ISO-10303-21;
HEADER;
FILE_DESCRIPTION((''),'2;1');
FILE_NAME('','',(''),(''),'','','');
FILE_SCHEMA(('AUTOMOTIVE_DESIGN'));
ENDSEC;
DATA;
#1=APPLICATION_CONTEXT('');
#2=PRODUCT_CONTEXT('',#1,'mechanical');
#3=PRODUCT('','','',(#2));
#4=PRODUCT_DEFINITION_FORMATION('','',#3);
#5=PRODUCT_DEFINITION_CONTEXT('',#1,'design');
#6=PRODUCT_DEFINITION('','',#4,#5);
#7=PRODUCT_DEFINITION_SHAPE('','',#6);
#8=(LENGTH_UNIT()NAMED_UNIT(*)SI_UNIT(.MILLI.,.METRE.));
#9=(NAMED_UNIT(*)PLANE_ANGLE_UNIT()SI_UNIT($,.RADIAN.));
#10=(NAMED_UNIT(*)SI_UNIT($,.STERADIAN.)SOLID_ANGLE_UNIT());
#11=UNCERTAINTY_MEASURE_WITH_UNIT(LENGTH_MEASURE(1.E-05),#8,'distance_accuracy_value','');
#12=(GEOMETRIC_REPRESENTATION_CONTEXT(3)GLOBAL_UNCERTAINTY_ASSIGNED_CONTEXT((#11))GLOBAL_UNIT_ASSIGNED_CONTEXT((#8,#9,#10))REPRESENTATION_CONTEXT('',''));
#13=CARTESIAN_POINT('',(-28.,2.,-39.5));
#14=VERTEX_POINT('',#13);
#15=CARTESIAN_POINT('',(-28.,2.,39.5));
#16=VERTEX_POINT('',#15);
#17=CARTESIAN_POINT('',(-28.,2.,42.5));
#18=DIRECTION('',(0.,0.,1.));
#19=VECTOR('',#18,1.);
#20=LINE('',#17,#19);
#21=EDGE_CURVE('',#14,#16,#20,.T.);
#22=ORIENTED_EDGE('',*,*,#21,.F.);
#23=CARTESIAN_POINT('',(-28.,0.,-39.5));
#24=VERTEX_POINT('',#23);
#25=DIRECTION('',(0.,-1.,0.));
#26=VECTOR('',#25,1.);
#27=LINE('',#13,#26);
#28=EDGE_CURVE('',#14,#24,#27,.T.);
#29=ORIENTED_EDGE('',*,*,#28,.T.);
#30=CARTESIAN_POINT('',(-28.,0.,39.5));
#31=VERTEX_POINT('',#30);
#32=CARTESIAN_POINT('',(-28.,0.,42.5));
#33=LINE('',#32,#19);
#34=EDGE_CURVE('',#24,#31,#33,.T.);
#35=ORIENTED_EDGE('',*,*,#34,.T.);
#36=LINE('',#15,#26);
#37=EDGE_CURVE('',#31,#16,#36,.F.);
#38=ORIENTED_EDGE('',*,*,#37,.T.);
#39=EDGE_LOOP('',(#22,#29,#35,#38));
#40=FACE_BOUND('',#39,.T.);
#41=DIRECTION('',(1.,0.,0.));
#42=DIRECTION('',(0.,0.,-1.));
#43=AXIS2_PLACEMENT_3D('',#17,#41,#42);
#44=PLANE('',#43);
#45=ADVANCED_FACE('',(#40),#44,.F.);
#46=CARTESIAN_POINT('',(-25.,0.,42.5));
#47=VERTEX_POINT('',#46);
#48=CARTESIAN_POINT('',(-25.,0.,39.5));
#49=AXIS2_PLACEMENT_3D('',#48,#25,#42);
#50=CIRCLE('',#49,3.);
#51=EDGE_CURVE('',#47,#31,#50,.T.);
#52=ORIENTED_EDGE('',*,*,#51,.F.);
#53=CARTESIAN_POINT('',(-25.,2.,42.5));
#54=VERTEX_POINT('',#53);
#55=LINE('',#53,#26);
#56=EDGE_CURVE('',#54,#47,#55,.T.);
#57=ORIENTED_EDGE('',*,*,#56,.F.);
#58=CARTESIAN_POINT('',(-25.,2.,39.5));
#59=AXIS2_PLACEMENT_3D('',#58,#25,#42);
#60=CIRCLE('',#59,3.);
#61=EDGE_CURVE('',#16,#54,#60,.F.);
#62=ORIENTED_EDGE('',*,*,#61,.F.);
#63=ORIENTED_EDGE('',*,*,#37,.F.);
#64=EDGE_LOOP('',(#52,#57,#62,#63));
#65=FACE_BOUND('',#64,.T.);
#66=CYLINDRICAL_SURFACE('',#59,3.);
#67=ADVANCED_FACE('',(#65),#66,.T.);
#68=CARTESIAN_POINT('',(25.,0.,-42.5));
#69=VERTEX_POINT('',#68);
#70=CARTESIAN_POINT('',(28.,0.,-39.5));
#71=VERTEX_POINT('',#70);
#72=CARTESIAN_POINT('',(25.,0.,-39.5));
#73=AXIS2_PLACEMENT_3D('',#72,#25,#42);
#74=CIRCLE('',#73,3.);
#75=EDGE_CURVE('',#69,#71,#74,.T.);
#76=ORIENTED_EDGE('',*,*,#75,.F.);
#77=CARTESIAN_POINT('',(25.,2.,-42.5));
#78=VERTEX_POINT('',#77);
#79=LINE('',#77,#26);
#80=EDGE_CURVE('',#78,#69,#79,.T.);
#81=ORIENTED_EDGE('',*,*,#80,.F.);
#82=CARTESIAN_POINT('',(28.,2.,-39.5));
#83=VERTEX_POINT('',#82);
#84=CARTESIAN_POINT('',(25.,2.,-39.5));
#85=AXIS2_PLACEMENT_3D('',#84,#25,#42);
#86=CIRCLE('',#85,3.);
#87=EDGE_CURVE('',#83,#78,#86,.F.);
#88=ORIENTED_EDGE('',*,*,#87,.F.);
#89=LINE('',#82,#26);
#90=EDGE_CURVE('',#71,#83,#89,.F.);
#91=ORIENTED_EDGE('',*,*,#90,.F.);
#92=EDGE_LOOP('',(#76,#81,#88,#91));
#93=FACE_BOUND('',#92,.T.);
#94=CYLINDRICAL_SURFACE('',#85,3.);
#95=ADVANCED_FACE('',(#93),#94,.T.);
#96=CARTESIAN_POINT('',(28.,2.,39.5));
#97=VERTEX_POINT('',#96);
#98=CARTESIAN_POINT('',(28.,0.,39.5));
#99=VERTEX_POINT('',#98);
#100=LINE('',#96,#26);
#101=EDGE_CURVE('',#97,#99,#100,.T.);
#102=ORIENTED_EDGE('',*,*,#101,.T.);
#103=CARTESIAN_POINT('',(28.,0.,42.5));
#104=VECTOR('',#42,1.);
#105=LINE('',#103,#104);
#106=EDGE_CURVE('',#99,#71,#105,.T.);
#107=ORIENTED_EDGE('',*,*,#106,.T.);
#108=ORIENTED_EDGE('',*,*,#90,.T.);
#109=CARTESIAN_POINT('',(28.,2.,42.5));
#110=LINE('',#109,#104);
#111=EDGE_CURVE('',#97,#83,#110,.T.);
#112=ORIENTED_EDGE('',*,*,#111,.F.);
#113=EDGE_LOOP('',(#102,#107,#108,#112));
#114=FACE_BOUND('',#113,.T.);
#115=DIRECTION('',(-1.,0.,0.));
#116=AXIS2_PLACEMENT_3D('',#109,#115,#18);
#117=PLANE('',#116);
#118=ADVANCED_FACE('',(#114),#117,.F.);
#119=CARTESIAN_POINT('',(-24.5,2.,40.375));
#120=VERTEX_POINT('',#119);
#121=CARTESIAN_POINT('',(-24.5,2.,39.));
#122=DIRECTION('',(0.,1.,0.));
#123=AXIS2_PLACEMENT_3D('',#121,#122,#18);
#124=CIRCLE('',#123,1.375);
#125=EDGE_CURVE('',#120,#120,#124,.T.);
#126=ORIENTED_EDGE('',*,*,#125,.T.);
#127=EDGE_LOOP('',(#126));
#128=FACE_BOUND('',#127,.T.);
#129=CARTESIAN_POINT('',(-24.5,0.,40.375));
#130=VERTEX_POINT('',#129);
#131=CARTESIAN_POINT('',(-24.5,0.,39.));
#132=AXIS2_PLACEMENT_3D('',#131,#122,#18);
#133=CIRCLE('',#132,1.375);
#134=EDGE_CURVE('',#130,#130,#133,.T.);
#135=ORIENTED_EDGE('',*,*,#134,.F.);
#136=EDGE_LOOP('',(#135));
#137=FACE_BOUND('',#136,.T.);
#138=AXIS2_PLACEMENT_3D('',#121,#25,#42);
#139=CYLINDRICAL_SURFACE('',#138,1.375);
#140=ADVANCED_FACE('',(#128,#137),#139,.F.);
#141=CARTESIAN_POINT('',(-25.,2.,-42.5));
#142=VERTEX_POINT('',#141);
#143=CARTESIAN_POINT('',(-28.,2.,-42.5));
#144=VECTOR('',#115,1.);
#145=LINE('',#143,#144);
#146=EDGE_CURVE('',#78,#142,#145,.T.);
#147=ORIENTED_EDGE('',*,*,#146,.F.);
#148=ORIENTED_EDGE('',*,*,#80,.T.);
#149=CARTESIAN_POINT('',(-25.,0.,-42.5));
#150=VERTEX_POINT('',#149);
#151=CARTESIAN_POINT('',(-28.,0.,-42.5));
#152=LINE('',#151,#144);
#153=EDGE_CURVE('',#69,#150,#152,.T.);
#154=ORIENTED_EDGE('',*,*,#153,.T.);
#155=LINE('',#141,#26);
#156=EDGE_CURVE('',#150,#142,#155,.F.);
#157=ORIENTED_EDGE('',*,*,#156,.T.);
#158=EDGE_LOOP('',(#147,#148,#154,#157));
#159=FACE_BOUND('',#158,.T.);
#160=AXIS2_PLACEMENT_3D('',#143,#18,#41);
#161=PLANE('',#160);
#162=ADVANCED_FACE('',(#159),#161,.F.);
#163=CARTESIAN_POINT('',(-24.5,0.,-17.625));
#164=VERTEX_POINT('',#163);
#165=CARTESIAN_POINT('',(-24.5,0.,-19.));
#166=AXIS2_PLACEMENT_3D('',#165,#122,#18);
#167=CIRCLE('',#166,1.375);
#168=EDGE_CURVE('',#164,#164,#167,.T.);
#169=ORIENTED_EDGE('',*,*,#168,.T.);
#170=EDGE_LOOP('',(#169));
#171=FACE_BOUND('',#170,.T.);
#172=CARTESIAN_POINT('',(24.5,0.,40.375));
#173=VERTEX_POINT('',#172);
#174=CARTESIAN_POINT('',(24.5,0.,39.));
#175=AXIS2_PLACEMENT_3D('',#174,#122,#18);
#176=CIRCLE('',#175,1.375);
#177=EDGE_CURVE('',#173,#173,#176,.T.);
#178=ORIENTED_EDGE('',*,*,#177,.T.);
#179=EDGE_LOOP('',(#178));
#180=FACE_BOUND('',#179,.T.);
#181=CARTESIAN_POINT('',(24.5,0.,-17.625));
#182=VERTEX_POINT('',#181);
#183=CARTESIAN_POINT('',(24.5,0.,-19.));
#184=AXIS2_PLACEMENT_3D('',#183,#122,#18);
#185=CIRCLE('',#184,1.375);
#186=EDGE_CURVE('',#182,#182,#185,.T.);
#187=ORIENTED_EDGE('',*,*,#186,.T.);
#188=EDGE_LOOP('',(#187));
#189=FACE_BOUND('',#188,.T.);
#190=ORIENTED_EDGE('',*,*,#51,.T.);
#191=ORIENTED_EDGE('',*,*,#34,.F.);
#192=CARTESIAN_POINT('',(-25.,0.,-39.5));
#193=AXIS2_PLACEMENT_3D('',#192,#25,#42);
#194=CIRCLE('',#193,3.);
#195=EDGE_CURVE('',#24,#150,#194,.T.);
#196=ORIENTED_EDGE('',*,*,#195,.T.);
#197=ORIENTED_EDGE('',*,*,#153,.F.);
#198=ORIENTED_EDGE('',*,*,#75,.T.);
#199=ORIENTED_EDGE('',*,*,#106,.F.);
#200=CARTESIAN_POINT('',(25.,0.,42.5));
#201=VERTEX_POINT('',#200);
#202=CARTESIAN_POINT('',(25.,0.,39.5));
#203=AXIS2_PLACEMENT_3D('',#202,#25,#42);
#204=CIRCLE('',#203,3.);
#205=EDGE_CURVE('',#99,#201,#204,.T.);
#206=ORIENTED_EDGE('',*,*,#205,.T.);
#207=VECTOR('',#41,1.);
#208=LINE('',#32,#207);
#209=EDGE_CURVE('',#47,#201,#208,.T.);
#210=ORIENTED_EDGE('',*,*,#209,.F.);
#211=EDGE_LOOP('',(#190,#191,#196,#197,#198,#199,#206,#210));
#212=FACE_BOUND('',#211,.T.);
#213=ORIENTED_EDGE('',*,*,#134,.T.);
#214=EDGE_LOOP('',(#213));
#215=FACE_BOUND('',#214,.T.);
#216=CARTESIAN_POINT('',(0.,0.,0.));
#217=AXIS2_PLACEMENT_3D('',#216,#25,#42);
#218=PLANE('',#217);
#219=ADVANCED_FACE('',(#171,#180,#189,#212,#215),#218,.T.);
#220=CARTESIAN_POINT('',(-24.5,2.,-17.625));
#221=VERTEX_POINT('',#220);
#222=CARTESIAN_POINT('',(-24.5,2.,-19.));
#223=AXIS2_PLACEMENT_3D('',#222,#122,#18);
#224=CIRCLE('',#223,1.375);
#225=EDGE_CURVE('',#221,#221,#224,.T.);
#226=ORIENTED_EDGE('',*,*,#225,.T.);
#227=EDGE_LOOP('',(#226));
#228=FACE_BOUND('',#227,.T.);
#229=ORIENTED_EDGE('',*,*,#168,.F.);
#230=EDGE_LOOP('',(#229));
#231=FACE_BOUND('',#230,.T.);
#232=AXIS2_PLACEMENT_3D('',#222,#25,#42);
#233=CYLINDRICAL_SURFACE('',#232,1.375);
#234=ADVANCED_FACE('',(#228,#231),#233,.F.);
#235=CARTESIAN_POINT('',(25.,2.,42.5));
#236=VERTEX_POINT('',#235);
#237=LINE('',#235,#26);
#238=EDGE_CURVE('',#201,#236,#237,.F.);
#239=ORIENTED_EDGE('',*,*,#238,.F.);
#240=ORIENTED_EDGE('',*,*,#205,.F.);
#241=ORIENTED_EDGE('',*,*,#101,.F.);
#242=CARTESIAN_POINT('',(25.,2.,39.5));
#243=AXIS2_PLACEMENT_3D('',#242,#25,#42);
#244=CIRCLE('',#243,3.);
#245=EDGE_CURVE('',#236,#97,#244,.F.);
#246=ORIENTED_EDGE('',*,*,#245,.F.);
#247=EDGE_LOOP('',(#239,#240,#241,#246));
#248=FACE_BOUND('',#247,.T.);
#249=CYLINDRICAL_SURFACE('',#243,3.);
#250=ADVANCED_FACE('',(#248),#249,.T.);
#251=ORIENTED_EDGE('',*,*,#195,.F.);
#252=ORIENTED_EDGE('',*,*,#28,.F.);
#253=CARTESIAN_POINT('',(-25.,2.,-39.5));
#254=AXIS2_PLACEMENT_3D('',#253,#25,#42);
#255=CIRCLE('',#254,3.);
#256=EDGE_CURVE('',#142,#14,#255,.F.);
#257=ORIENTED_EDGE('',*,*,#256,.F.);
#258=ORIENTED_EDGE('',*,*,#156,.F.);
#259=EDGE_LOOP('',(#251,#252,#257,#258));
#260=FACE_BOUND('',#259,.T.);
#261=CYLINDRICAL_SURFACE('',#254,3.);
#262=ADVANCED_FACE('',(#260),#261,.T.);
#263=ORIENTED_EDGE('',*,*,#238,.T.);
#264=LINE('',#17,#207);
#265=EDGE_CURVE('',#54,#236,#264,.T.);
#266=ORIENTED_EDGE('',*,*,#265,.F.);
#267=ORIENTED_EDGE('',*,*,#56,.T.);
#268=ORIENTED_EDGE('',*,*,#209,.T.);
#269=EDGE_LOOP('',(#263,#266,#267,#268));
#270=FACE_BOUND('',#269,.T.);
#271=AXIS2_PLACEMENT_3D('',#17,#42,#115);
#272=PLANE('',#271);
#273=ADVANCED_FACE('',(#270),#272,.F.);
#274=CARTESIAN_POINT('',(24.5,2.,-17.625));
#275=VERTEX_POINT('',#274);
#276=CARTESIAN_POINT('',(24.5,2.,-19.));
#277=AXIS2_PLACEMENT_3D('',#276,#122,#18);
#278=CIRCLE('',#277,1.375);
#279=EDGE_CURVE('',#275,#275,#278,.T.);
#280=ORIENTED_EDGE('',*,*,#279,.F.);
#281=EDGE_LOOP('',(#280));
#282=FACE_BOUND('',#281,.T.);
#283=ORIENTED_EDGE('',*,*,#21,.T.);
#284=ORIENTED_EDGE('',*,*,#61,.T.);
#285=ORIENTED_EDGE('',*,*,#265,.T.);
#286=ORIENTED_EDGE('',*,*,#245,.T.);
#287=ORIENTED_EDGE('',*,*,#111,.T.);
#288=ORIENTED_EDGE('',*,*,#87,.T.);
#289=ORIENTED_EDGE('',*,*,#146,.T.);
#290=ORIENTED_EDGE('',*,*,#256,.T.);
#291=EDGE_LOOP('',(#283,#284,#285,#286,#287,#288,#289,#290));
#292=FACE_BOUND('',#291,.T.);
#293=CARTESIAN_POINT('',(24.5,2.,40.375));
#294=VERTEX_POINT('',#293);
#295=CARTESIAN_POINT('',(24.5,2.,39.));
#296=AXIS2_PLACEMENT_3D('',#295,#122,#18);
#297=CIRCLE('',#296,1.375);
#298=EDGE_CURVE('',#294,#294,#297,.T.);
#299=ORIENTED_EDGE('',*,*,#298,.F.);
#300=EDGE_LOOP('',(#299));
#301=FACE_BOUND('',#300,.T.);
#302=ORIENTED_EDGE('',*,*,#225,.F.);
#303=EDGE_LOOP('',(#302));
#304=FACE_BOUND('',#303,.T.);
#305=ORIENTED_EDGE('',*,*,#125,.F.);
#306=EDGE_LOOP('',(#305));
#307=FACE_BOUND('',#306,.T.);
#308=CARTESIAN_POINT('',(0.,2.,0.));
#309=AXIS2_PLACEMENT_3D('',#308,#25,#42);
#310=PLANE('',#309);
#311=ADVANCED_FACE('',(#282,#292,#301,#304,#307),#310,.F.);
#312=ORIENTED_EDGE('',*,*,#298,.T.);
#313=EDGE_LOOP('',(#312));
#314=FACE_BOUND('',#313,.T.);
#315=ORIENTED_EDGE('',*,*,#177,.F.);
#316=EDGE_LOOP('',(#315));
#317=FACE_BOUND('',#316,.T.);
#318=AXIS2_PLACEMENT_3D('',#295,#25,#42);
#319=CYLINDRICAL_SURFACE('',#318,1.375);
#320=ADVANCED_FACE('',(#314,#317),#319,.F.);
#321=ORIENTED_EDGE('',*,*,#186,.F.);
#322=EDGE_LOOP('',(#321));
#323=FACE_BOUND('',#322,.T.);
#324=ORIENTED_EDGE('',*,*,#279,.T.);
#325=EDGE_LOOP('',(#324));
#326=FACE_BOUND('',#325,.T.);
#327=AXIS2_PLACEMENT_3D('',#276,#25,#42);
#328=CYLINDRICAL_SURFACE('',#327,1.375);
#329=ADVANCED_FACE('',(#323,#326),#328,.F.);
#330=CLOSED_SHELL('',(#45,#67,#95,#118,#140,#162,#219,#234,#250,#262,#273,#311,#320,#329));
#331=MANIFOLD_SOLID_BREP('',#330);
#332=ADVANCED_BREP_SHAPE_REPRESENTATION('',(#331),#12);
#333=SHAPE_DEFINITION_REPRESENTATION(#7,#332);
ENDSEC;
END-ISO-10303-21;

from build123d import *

# Parameters (mm, degrees)
SKETCH1_W           = 56
SKETCH1_H           = 85
SKETCH1_R           = 1.375
BOSS_EXTRUDE1_DEPTH = 2
FILLET1_R           = 3


with BuildPart() as part:
    # Sketch1 → Boss-Extrude1 (new body)
    with BuildSketch(Plane(origin=(0, 0, 0), x_dir=(1, 0, 0), z_dir=(0, 1, 0))):
        Rectangle(SKETCH1_W, SKETCH1_H)
        with Locations(Location((-24.5, -39, 0), (0, 0, 270))):
            Circle(SKETCH1_R, mode=Mode.SUBTRACT)
        with Locations(Location((-24.5, 19, 0), (0, 0, 270))):
            Circle(SKETCH1_R, mode=Mode.SUBTRACT)
        with Locations(Location((24.5, 19, 0), (0, 0, 270))):
            Circle(SKETCH1_R, mode=Mode.SUBTRACT)
        with Locations(Location((24.5, -39, 0), (0, 0, 270))):
            Circle(SKETCH1_R, mode=Mode.SUBTRACT)
    extrude(amount=BOSS_EXTRUDE1_DEPTH)

    # Fillet1
    fillet1_edges = [part.edges().sort_by_distance(p)[0] for p in [
        (28, 1, 42.5),
        (-28, 1, 42.5),
        (-28, 1, -42.5),
        (28, 1, -42.5),
    ]]
    fillet(fillet1_edges, radius=FILLET1_R)


solid = part.part
